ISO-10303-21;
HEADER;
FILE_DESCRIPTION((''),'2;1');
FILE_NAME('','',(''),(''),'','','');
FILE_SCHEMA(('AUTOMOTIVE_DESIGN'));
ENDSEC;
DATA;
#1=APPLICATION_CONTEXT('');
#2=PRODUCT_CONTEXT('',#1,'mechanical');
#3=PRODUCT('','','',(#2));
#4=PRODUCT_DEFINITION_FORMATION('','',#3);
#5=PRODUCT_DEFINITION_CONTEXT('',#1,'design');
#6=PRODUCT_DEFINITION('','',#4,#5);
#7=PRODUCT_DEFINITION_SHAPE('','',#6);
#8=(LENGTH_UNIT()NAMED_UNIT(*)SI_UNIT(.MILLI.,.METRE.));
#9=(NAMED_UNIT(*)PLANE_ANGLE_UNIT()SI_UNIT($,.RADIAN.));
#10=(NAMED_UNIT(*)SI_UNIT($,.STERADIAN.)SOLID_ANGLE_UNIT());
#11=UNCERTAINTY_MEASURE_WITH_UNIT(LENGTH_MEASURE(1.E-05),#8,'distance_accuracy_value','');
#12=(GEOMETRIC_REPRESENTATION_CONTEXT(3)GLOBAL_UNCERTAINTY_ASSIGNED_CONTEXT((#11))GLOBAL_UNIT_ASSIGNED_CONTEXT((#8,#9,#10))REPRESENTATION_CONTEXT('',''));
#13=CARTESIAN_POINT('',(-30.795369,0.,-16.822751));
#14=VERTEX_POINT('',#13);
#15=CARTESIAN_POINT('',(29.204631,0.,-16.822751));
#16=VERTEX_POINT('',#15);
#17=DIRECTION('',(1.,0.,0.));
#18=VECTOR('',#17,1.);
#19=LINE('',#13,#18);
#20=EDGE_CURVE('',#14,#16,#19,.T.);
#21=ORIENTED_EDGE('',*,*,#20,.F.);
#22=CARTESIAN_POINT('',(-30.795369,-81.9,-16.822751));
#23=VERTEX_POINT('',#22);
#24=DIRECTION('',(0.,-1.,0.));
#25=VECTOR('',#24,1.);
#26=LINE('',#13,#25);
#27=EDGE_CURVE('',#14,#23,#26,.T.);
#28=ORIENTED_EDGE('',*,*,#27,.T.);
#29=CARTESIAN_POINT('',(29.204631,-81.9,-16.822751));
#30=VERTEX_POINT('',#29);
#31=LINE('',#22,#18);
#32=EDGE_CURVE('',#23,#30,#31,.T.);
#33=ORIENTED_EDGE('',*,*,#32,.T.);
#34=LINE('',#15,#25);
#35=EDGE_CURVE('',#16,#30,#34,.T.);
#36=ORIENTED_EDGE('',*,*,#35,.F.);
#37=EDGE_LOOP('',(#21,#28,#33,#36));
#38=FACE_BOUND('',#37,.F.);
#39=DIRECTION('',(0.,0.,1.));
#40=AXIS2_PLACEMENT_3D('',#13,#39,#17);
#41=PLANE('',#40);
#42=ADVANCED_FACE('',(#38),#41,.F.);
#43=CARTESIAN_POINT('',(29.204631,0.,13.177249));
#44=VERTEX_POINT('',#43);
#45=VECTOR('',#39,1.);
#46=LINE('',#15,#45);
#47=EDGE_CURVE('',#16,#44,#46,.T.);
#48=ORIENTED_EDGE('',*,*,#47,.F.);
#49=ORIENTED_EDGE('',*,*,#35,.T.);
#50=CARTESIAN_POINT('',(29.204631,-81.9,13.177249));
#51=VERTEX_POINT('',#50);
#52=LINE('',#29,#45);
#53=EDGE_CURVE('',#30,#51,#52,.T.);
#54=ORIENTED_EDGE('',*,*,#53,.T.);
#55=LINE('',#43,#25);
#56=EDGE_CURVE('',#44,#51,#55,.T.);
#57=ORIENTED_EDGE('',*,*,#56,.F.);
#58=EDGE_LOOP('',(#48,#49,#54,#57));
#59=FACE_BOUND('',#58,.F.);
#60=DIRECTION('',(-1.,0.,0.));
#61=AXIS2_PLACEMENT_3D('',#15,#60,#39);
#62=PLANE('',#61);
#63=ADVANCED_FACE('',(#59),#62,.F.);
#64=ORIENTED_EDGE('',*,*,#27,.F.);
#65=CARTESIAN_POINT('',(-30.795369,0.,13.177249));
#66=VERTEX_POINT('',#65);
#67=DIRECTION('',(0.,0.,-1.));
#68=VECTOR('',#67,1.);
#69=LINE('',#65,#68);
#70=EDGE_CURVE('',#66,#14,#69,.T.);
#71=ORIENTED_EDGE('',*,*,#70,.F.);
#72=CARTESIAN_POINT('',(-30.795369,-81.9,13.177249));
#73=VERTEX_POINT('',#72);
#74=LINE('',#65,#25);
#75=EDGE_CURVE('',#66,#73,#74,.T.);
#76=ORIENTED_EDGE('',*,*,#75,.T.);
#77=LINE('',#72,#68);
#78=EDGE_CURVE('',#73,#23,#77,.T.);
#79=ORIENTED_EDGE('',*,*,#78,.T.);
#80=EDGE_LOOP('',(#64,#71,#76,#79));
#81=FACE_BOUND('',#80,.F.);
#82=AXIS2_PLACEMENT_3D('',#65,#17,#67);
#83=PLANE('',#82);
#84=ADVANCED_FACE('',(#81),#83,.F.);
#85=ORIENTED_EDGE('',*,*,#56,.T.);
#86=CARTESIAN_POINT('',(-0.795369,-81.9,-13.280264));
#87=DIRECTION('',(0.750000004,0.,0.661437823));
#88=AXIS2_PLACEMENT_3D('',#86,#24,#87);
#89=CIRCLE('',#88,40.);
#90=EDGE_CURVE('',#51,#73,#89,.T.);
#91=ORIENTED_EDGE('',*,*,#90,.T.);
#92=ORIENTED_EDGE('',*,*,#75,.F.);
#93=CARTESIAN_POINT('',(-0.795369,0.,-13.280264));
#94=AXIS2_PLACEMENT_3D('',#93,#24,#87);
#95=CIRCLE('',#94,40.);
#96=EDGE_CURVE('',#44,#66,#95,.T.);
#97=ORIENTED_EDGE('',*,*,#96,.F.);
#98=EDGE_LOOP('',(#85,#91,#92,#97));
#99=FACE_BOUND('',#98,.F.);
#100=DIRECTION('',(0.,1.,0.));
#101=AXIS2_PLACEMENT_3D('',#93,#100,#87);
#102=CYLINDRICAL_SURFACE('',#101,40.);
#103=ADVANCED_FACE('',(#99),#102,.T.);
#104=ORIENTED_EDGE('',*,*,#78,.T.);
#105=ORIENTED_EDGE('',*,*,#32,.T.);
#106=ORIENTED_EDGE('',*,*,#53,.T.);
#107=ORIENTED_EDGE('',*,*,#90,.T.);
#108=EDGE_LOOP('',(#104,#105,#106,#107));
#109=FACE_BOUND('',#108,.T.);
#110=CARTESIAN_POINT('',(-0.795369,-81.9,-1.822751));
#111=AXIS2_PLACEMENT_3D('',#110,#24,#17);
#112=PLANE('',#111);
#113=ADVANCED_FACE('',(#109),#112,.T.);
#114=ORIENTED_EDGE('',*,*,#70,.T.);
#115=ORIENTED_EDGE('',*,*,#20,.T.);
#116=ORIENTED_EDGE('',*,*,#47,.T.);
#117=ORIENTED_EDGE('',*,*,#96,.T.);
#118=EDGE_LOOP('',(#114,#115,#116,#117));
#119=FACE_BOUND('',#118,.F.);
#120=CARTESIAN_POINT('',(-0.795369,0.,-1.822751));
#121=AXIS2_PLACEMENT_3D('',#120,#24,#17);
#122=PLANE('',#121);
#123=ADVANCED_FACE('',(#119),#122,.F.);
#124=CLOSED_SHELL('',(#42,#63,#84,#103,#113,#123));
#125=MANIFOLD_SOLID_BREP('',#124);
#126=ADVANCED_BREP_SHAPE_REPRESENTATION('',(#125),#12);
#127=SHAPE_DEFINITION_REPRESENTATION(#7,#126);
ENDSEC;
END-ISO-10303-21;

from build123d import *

# Parameters (mm, degrees)
F1_DEPTH = 81.9


with BuildPart() as f1:
    # F0 (on Front) → F1 (new body)
    with BuildSketch(Plane.XZ):
        Polygon((29.204631, 13.177249), (-30.795369, 13.177249), (-30.795369, -16.822751), (29.204631, -16.822751), (29.204631, 0), (29.204631, 2.165846), align=None)
        with BuildLine():
            ThreePointArc((29.204631, 13.177249), (-0.795369, 26.719736), (-30.795369, 13.177249))
            Line((-30.795369, 13.177249), (29.204631, 13.177249))
        make_face()
    extrude(amount=F1_DEPTH)


solid = f1.part
